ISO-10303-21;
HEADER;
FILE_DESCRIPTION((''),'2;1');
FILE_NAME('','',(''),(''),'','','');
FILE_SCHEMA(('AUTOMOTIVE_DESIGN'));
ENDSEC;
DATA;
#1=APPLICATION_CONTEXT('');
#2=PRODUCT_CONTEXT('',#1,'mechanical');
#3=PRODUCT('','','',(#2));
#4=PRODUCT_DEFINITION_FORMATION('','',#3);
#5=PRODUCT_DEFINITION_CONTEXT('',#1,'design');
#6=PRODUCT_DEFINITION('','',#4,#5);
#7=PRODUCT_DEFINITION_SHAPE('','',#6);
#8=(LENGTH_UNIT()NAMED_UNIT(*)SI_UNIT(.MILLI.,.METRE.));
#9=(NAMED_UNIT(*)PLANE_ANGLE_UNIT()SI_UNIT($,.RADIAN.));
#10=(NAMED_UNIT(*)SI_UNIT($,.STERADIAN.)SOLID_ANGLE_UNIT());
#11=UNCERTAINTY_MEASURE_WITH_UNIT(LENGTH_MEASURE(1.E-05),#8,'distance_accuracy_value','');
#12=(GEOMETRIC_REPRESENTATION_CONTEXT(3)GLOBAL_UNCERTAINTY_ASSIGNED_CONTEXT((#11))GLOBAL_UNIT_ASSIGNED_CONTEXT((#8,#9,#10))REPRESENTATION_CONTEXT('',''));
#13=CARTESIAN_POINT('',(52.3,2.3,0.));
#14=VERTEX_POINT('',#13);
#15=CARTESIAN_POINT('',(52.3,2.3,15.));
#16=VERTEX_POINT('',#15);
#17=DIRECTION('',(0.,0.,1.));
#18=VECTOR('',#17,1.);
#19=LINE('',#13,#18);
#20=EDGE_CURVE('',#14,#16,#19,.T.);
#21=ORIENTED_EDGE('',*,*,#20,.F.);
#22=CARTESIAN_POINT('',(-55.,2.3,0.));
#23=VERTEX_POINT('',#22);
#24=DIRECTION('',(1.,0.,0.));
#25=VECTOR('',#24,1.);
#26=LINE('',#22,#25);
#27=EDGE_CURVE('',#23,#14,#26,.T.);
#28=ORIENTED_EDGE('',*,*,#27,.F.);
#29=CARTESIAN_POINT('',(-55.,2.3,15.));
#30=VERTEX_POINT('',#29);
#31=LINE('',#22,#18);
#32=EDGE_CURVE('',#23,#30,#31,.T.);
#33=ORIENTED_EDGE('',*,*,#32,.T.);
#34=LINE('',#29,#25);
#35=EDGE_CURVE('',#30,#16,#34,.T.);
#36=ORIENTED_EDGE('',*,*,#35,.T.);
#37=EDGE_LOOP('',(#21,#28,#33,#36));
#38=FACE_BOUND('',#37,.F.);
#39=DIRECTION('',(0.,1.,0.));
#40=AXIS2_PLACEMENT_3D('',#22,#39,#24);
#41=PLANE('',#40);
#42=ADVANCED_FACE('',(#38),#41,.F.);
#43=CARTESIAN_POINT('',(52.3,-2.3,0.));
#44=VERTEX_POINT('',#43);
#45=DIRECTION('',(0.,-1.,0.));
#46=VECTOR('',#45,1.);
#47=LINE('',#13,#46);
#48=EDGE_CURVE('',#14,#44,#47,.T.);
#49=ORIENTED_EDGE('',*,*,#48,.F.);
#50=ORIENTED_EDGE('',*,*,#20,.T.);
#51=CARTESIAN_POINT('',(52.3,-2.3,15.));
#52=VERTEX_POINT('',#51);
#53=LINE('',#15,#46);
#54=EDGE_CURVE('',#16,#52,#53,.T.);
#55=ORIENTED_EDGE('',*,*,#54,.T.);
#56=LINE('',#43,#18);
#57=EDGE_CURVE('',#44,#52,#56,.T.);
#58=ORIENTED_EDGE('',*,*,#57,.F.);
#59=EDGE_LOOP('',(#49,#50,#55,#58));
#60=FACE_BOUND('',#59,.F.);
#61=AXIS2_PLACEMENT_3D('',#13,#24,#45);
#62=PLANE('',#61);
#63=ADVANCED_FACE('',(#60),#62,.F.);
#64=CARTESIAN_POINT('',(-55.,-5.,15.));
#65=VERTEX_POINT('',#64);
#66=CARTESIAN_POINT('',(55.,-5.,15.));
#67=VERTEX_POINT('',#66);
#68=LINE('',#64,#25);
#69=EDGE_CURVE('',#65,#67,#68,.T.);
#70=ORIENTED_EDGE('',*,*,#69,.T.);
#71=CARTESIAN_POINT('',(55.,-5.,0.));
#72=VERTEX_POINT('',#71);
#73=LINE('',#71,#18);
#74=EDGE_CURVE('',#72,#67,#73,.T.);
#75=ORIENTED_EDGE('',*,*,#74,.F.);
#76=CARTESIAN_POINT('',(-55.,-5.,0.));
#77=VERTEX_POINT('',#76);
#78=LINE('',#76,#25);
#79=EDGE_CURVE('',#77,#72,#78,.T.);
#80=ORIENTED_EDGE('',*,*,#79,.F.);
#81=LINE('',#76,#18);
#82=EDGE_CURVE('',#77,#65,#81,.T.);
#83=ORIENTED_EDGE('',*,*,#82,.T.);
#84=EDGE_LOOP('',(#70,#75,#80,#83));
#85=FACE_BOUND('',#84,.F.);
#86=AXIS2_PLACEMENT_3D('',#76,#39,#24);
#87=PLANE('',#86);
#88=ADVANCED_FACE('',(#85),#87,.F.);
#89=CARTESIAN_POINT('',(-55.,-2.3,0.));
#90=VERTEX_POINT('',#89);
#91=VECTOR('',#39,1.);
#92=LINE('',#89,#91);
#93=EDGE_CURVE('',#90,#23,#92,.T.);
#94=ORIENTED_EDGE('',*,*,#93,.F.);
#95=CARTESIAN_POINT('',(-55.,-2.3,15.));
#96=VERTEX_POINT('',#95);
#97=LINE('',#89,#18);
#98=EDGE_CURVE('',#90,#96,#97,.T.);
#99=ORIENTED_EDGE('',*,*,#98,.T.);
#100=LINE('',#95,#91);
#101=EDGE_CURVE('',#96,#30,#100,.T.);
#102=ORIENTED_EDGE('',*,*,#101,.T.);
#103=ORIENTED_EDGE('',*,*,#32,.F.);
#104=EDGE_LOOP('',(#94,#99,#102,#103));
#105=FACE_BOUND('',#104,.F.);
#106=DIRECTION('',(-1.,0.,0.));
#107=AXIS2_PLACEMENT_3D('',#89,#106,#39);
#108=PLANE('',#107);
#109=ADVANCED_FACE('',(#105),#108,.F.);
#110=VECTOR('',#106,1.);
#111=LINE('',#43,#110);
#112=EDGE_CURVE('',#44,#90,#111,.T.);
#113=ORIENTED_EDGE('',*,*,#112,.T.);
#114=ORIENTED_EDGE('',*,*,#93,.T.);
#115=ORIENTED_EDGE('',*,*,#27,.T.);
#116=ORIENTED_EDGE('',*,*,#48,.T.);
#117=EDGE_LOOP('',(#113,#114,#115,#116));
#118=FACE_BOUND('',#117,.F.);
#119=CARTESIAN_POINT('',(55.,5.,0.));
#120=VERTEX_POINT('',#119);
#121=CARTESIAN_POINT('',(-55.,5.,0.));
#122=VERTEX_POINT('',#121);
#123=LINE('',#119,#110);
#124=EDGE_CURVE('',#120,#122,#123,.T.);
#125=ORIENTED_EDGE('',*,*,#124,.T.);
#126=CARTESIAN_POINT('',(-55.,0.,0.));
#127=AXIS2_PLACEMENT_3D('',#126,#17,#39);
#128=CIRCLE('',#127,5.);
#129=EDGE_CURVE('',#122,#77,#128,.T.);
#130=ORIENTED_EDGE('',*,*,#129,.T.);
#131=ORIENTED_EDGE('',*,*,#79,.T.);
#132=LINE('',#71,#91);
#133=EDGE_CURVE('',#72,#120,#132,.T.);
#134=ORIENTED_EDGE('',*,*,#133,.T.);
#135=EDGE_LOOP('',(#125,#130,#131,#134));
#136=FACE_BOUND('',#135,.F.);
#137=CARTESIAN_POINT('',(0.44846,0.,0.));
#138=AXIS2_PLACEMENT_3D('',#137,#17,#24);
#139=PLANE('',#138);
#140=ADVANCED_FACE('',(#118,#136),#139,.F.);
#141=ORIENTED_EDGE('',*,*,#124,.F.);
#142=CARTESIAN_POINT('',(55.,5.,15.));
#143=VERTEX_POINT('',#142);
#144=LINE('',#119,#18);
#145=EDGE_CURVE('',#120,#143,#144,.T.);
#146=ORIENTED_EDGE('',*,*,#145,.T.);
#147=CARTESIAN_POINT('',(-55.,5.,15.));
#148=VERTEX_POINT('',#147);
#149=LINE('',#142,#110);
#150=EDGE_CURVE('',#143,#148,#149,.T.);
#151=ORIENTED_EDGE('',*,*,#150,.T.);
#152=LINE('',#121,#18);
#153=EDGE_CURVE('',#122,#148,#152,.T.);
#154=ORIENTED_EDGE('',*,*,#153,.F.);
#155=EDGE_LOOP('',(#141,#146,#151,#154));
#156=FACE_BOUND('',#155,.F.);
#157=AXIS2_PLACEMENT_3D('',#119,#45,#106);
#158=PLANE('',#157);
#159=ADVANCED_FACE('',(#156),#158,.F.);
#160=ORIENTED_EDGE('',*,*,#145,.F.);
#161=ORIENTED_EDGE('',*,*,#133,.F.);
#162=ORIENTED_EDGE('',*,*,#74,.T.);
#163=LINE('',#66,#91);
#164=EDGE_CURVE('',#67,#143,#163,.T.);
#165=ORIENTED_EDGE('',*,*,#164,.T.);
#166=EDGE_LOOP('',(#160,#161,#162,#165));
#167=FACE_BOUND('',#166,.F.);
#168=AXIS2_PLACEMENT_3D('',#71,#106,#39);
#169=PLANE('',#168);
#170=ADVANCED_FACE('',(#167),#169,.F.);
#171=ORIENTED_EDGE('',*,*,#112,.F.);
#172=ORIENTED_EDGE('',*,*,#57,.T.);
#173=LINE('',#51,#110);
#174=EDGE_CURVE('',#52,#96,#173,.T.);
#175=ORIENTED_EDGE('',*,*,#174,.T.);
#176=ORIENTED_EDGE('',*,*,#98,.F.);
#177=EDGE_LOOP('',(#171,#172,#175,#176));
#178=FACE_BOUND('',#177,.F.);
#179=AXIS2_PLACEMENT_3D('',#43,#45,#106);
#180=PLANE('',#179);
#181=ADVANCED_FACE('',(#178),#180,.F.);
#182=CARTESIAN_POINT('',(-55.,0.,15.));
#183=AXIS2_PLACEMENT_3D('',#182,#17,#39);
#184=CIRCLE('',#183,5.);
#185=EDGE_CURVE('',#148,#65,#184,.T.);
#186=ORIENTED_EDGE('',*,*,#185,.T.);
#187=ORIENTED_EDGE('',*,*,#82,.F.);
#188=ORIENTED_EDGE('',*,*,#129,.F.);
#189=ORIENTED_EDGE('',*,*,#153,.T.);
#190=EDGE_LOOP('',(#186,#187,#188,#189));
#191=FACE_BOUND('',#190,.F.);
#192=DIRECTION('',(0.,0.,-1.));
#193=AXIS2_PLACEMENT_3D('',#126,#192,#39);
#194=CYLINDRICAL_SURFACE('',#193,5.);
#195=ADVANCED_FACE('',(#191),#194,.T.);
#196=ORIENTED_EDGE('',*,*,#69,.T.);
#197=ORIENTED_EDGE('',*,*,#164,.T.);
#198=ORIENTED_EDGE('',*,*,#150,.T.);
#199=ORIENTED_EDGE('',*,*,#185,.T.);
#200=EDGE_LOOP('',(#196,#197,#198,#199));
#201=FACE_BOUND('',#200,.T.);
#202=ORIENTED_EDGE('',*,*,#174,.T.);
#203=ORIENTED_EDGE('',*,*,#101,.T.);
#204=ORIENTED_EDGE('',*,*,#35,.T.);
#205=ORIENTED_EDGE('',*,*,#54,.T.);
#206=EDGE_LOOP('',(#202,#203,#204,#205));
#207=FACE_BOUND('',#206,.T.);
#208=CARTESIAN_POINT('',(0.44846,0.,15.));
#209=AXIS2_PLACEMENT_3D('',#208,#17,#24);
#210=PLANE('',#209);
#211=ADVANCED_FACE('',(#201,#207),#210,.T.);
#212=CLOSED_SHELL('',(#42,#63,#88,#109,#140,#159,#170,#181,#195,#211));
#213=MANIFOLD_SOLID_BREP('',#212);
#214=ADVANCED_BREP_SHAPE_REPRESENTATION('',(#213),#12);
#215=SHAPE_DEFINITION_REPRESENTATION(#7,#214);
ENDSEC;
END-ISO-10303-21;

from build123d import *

# Parameters (mm, degrees)
F1_DEPTH = 15


with BuildPart() as f1:
    # F0 (on Top) → F1 (new body)
    with BuildSketch(Plane.XY):
        Polygon((-55, -2.3), (-55, -5), (55, -5), (55, 5), (-55, 5), (-55, 2.3), (52.3, 2.3), (52.3, -2.3), align=None)
        with BuildLine():
            ThreePointArc((-55, 5), (-60, 0), (-55, -5))
            Line((-55, -5), (-55, -2.3))
            ThreePointArc((-55, -2.3), (-57.3, 0), (-55, 2.3))
            Line((-55, 2.3), (-55, 5))
        make_face()
        with BuildLine():
            ThreePointArc((-55, 2.3), (-57.3, 0), (-55, -2.3))
            Line((-55, -2.3), (-55, 2.3))
        make_face()
    extrude(amount=F1_DEPTH)


solid = f1.part
